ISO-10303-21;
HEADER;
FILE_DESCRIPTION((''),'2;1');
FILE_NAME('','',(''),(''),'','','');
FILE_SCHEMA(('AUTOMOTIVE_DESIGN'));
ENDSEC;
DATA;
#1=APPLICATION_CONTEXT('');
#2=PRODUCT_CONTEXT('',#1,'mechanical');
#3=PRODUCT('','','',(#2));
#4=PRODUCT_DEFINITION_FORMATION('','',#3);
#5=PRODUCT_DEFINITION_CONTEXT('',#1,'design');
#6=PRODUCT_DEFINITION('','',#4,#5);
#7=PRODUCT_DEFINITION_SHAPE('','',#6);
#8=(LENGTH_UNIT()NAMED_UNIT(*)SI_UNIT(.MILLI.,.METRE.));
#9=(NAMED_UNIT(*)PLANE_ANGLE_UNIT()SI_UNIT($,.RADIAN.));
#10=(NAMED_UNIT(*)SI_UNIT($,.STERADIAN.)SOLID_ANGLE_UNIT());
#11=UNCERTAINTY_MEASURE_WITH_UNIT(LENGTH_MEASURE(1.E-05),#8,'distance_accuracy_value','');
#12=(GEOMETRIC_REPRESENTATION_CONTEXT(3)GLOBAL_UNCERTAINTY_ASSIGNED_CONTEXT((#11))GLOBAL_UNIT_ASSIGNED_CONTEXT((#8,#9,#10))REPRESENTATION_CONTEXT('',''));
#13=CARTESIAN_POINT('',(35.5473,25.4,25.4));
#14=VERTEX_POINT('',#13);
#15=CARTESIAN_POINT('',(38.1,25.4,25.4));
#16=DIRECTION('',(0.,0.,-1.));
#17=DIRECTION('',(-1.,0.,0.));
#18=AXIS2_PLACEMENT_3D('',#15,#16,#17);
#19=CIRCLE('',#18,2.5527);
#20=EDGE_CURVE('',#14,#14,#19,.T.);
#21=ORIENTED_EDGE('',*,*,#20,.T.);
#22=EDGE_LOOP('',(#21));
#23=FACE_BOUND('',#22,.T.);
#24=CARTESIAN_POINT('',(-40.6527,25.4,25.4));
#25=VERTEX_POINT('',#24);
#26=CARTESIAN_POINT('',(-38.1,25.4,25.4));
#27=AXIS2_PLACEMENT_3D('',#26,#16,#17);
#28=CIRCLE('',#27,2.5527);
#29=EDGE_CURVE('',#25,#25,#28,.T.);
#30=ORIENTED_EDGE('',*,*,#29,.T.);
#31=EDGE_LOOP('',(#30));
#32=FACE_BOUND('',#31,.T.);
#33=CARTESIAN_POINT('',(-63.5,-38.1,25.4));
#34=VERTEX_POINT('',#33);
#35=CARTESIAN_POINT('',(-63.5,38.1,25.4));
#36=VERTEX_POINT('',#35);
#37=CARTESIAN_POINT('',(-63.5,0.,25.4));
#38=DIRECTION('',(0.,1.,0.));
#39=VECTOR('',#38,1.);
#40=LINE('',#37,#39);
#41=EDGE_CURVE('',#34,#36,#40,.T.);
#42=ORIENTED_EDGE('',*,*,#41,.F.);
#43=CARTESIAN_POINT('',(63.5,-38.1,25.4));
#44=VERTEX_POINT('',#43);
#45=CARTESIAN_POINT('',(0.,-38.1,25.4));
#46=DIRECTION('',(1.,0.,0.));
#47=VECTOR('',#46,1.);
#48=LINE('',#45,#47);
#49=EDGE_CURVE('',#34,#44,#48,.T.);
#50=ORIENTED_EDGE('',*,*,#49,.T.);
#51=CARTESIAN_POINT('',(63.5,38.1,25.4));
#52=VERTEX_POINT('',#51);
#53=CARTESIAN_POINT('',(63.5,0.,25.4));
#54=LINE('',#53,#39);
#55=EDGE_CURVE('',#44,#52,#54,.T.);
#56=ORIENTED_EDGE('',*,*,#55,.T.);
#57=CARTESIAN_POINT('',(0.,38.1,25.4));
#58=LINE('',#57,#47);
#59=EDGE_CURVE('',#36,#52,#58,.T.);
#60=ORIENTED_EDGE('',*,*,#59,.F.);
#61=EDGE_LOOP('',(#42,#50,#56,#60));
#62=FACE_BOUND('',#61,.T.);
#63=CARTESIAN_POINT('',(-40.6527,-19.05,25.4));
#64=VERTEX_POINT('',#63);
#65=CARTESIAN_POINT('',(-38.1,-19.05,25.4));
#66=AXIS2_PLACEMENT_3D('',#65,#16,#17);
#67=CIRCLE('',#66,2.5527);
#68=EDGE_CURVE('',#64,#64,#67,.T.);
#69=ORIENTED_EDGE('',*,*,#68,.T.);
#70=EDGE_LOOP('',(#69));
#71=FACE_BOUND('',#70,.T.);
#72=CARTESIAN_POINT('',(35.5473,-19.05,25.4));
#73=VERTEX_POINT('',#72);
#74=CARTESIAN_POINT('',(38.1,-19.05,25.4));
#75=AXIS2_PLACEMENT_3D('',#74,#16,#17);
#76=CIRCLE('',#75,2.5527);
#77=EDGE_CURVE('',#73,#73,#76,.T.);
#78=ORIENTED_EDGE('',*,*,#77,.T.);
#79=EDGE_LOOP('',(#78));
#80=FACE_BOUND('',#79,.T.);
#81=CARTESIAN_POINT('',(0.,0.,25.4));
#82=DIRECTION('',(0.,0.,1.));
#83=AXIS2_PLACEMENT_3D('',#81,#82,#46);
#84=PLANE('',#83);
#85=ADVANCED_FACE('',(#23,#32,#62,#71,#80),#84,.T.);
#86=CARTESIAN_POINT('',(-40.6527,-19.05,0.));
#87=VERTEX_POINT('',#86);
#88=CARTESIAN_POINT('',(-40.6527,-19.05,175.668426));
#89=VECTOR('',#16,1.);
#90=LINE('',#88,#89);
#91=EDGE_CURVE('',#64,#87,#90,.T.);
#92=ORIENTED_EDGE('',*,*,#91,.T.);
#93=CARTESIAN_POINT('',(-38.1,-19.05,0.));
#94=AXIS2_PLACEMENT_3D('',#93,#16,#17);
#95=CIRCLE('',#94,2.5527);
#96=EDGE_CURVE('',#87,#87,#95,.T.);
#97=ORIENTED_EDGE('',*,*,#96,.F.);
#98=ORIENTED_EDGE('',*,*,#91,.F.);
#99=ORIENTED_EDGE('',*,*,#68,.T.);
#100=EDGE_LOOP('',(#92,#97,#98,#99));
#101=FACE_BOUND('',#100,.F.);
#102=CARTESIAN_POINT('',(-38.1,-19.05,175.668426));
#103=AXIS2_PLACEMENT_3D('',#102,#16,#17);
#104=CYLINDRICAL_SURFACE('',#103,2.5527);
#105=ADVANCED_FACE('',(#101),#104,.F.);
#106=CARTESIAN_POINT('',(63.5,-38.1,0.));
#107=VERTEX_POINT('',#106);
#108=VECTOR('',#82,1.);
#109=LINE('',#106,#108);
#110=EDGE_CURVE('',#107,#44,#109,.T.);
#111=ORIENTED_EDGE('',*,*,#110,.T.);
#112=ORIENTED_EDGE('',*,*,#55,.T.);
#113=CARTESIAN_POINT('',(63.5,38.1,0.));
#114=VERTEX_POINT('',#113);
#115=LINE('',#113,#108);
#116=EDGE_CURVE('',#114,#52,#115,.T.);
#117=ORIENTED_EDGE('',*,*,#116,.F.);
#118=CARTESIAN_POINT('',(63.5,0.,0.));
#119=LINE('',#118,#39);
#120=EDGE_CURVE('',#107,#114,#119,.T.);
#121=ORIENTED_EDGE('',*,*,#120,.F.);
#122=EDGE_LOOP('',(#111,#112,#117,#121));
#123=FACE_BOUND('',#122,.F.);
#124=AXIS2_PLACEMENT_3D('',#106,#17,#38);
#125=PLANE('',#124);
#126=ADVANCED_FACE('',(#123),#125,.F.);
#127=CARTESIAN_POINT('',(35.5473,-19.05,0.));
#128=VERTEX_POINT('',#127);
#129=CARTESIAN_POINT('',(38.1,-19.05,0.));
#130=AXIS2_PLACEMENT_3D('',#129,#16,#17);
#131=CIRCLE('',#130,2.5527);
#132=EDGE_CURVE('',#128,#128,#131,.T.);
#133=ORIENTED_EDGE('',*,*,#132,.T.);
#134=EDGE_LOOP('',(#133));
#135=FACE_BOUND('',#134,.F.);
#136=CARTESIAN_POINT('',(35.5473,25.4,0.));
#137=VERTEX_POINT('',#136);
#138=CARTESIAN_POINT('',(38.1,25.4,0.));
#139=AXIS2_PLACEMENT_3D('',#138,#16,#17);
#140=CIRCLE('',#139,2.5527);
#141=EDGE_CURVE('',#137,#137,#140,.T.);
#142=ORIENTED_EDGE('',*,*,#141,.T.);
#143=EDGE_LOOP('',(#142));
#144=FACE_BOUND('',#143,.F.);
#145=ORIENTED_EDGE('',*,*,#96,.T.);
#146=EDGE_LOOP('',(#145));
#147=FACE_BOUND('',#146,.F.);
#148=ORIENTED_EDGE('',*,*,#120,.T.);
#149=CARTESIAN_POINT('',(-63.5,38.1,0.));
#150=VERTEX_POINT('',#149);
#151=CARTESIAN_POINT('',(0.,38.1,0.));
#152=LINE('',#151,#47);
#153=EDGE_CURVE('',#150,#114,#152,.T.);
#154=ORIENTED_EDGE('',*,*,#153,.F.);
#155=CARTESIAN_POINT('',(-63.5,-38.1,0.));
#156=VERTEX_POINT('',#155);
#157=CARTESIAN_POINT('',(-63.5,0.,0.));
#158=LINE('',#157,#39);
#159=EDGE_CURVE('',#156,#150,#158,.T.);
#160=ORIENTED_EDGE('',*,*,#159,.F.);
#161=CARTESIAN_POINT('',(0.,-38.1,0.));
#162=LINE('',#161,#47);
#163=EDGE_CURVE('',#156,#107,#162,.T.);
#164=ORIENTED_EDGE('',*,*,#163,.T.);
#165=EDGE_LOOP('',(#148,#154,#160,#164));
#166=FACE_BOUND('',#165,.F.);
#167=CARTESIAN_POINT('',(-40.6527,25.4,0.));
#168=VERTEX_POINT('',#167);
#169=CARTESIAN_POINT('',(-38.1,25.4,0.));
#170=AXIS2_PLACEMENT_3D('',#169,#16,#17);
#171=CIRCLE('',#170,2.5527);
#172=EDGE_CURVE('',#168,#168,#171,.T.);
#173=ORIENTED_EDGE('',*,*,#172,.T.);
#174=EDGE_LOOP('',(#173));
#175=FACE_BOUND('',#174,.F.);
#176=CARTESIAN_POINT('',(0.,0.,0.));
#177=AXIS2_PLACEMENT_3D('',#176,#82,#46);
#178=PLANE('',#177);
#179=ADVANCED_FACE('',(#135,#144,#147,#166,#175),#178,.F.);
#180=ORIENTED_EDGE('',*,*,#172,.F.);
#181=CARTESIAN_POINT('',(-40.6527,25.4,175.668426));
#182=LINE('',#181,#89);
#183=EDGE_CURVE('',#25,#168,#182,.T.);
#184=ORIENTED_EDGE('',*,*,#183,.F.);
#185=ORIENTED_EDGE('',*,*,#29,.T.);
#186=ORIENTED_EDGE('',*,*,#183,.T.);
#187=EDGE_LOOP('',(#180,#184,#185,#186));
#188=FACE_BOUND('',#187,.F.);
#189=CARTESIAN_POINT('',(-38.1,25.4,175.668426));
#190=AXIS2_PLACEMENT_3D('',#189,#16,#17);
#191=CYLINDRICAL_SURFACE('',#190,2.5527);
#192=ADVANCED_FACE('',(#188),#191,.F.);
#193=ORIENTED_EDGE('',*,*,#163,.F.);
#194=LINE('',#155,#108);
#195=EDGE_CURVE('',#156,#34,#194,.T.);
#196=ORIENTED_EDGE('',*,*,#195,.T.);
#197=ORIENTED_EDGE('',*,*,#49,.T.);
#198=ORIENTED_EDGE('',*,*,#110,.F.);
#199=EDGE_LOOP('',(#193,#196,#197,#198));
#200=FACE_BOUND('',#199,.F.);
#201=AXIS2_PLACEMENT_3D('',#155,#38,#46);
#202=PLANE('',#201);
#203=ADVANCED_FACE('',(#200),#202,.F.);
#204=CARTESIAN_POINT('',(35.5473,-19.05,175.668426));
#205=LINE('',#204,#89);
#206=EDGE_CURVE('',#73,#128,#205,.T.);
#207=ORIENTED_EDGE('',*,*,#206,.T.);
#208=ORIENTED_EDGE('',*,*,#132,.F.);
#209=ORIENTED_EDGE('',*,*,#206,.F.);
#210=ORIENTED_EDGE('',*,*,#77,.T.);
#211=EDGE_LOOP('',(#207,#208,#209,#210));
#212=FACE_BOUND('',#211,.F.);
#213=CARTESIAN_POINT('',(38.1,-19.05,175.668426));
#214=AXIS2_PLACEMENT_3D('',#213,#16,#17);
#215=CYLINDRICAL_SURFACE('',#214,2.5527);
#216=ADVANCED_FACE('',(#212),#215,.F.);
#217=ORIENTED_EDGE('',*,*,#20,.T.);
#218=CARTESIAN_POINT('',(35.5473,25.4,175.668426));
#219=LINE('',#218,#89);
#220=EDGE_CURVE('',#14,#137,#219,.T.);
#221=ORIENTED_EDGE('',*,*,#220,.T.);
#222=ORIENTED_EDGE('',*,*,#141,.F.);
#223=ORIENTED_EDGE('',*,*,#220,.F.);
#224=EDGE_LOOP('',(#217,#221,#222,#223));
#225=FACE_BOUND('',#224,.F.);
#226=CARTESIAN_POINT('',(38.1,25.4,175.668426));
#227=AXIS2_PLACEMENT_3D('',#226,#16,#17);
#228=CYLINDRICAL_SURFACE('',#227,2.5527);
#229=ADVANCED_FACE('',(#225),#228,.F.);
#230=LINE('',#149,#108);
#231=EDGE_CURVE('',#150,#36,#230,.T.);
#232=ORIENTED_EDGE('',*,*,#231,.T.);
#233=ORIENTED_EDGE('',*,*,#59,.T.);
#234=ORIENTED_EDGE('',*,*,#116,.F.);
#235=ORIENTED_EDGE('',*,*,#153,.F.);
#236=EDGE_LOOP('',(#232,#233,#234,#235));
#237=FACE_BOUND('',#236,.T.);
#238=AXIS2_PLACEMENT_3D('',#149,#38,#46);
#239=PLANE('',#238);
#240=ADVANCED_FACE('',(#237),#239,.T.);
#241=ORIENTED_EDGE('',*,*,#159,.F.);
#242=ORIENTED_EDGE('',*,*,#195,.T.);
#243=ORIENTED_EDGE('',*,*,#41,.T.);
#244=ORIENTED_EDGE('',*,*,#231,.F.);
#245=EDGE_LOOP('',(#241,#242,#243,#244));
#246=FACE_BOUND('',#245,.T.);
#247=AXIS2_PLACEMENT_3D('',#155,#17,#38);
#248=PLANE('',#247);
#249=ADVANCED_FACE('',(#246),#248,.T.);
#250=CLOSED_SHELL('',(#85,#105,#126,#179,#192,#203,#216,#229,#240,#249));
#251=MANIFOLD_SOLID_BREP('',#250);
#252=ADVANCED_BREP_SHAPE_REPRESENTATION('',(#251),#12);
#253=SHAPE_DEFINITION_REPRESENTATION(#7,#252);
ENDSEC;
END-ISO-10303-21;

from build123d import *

# Parameters (mm, degrees)
F0_W     = 127
F0_H     = 76.2
F1_DEPTH = 25.4
F3_D     = 5.1054


with BuildPart() as f1:
    # F0 (on Top) → F1 (new body)
    with BuildSketch(Plane.XY):
        Rectangle(F0_W, F0_H)
    extrude(amount=F1_DEPTH)

    # F3 (through all)
    with Locations(Plane.XY.offset(25.4)):
        with Locations((-38.1, 25.4), (-38.1, -19.05), (38.1, 25.4), (38.1, -19.05)):
            Hole(F3_D / 2)


solid = f1.part
